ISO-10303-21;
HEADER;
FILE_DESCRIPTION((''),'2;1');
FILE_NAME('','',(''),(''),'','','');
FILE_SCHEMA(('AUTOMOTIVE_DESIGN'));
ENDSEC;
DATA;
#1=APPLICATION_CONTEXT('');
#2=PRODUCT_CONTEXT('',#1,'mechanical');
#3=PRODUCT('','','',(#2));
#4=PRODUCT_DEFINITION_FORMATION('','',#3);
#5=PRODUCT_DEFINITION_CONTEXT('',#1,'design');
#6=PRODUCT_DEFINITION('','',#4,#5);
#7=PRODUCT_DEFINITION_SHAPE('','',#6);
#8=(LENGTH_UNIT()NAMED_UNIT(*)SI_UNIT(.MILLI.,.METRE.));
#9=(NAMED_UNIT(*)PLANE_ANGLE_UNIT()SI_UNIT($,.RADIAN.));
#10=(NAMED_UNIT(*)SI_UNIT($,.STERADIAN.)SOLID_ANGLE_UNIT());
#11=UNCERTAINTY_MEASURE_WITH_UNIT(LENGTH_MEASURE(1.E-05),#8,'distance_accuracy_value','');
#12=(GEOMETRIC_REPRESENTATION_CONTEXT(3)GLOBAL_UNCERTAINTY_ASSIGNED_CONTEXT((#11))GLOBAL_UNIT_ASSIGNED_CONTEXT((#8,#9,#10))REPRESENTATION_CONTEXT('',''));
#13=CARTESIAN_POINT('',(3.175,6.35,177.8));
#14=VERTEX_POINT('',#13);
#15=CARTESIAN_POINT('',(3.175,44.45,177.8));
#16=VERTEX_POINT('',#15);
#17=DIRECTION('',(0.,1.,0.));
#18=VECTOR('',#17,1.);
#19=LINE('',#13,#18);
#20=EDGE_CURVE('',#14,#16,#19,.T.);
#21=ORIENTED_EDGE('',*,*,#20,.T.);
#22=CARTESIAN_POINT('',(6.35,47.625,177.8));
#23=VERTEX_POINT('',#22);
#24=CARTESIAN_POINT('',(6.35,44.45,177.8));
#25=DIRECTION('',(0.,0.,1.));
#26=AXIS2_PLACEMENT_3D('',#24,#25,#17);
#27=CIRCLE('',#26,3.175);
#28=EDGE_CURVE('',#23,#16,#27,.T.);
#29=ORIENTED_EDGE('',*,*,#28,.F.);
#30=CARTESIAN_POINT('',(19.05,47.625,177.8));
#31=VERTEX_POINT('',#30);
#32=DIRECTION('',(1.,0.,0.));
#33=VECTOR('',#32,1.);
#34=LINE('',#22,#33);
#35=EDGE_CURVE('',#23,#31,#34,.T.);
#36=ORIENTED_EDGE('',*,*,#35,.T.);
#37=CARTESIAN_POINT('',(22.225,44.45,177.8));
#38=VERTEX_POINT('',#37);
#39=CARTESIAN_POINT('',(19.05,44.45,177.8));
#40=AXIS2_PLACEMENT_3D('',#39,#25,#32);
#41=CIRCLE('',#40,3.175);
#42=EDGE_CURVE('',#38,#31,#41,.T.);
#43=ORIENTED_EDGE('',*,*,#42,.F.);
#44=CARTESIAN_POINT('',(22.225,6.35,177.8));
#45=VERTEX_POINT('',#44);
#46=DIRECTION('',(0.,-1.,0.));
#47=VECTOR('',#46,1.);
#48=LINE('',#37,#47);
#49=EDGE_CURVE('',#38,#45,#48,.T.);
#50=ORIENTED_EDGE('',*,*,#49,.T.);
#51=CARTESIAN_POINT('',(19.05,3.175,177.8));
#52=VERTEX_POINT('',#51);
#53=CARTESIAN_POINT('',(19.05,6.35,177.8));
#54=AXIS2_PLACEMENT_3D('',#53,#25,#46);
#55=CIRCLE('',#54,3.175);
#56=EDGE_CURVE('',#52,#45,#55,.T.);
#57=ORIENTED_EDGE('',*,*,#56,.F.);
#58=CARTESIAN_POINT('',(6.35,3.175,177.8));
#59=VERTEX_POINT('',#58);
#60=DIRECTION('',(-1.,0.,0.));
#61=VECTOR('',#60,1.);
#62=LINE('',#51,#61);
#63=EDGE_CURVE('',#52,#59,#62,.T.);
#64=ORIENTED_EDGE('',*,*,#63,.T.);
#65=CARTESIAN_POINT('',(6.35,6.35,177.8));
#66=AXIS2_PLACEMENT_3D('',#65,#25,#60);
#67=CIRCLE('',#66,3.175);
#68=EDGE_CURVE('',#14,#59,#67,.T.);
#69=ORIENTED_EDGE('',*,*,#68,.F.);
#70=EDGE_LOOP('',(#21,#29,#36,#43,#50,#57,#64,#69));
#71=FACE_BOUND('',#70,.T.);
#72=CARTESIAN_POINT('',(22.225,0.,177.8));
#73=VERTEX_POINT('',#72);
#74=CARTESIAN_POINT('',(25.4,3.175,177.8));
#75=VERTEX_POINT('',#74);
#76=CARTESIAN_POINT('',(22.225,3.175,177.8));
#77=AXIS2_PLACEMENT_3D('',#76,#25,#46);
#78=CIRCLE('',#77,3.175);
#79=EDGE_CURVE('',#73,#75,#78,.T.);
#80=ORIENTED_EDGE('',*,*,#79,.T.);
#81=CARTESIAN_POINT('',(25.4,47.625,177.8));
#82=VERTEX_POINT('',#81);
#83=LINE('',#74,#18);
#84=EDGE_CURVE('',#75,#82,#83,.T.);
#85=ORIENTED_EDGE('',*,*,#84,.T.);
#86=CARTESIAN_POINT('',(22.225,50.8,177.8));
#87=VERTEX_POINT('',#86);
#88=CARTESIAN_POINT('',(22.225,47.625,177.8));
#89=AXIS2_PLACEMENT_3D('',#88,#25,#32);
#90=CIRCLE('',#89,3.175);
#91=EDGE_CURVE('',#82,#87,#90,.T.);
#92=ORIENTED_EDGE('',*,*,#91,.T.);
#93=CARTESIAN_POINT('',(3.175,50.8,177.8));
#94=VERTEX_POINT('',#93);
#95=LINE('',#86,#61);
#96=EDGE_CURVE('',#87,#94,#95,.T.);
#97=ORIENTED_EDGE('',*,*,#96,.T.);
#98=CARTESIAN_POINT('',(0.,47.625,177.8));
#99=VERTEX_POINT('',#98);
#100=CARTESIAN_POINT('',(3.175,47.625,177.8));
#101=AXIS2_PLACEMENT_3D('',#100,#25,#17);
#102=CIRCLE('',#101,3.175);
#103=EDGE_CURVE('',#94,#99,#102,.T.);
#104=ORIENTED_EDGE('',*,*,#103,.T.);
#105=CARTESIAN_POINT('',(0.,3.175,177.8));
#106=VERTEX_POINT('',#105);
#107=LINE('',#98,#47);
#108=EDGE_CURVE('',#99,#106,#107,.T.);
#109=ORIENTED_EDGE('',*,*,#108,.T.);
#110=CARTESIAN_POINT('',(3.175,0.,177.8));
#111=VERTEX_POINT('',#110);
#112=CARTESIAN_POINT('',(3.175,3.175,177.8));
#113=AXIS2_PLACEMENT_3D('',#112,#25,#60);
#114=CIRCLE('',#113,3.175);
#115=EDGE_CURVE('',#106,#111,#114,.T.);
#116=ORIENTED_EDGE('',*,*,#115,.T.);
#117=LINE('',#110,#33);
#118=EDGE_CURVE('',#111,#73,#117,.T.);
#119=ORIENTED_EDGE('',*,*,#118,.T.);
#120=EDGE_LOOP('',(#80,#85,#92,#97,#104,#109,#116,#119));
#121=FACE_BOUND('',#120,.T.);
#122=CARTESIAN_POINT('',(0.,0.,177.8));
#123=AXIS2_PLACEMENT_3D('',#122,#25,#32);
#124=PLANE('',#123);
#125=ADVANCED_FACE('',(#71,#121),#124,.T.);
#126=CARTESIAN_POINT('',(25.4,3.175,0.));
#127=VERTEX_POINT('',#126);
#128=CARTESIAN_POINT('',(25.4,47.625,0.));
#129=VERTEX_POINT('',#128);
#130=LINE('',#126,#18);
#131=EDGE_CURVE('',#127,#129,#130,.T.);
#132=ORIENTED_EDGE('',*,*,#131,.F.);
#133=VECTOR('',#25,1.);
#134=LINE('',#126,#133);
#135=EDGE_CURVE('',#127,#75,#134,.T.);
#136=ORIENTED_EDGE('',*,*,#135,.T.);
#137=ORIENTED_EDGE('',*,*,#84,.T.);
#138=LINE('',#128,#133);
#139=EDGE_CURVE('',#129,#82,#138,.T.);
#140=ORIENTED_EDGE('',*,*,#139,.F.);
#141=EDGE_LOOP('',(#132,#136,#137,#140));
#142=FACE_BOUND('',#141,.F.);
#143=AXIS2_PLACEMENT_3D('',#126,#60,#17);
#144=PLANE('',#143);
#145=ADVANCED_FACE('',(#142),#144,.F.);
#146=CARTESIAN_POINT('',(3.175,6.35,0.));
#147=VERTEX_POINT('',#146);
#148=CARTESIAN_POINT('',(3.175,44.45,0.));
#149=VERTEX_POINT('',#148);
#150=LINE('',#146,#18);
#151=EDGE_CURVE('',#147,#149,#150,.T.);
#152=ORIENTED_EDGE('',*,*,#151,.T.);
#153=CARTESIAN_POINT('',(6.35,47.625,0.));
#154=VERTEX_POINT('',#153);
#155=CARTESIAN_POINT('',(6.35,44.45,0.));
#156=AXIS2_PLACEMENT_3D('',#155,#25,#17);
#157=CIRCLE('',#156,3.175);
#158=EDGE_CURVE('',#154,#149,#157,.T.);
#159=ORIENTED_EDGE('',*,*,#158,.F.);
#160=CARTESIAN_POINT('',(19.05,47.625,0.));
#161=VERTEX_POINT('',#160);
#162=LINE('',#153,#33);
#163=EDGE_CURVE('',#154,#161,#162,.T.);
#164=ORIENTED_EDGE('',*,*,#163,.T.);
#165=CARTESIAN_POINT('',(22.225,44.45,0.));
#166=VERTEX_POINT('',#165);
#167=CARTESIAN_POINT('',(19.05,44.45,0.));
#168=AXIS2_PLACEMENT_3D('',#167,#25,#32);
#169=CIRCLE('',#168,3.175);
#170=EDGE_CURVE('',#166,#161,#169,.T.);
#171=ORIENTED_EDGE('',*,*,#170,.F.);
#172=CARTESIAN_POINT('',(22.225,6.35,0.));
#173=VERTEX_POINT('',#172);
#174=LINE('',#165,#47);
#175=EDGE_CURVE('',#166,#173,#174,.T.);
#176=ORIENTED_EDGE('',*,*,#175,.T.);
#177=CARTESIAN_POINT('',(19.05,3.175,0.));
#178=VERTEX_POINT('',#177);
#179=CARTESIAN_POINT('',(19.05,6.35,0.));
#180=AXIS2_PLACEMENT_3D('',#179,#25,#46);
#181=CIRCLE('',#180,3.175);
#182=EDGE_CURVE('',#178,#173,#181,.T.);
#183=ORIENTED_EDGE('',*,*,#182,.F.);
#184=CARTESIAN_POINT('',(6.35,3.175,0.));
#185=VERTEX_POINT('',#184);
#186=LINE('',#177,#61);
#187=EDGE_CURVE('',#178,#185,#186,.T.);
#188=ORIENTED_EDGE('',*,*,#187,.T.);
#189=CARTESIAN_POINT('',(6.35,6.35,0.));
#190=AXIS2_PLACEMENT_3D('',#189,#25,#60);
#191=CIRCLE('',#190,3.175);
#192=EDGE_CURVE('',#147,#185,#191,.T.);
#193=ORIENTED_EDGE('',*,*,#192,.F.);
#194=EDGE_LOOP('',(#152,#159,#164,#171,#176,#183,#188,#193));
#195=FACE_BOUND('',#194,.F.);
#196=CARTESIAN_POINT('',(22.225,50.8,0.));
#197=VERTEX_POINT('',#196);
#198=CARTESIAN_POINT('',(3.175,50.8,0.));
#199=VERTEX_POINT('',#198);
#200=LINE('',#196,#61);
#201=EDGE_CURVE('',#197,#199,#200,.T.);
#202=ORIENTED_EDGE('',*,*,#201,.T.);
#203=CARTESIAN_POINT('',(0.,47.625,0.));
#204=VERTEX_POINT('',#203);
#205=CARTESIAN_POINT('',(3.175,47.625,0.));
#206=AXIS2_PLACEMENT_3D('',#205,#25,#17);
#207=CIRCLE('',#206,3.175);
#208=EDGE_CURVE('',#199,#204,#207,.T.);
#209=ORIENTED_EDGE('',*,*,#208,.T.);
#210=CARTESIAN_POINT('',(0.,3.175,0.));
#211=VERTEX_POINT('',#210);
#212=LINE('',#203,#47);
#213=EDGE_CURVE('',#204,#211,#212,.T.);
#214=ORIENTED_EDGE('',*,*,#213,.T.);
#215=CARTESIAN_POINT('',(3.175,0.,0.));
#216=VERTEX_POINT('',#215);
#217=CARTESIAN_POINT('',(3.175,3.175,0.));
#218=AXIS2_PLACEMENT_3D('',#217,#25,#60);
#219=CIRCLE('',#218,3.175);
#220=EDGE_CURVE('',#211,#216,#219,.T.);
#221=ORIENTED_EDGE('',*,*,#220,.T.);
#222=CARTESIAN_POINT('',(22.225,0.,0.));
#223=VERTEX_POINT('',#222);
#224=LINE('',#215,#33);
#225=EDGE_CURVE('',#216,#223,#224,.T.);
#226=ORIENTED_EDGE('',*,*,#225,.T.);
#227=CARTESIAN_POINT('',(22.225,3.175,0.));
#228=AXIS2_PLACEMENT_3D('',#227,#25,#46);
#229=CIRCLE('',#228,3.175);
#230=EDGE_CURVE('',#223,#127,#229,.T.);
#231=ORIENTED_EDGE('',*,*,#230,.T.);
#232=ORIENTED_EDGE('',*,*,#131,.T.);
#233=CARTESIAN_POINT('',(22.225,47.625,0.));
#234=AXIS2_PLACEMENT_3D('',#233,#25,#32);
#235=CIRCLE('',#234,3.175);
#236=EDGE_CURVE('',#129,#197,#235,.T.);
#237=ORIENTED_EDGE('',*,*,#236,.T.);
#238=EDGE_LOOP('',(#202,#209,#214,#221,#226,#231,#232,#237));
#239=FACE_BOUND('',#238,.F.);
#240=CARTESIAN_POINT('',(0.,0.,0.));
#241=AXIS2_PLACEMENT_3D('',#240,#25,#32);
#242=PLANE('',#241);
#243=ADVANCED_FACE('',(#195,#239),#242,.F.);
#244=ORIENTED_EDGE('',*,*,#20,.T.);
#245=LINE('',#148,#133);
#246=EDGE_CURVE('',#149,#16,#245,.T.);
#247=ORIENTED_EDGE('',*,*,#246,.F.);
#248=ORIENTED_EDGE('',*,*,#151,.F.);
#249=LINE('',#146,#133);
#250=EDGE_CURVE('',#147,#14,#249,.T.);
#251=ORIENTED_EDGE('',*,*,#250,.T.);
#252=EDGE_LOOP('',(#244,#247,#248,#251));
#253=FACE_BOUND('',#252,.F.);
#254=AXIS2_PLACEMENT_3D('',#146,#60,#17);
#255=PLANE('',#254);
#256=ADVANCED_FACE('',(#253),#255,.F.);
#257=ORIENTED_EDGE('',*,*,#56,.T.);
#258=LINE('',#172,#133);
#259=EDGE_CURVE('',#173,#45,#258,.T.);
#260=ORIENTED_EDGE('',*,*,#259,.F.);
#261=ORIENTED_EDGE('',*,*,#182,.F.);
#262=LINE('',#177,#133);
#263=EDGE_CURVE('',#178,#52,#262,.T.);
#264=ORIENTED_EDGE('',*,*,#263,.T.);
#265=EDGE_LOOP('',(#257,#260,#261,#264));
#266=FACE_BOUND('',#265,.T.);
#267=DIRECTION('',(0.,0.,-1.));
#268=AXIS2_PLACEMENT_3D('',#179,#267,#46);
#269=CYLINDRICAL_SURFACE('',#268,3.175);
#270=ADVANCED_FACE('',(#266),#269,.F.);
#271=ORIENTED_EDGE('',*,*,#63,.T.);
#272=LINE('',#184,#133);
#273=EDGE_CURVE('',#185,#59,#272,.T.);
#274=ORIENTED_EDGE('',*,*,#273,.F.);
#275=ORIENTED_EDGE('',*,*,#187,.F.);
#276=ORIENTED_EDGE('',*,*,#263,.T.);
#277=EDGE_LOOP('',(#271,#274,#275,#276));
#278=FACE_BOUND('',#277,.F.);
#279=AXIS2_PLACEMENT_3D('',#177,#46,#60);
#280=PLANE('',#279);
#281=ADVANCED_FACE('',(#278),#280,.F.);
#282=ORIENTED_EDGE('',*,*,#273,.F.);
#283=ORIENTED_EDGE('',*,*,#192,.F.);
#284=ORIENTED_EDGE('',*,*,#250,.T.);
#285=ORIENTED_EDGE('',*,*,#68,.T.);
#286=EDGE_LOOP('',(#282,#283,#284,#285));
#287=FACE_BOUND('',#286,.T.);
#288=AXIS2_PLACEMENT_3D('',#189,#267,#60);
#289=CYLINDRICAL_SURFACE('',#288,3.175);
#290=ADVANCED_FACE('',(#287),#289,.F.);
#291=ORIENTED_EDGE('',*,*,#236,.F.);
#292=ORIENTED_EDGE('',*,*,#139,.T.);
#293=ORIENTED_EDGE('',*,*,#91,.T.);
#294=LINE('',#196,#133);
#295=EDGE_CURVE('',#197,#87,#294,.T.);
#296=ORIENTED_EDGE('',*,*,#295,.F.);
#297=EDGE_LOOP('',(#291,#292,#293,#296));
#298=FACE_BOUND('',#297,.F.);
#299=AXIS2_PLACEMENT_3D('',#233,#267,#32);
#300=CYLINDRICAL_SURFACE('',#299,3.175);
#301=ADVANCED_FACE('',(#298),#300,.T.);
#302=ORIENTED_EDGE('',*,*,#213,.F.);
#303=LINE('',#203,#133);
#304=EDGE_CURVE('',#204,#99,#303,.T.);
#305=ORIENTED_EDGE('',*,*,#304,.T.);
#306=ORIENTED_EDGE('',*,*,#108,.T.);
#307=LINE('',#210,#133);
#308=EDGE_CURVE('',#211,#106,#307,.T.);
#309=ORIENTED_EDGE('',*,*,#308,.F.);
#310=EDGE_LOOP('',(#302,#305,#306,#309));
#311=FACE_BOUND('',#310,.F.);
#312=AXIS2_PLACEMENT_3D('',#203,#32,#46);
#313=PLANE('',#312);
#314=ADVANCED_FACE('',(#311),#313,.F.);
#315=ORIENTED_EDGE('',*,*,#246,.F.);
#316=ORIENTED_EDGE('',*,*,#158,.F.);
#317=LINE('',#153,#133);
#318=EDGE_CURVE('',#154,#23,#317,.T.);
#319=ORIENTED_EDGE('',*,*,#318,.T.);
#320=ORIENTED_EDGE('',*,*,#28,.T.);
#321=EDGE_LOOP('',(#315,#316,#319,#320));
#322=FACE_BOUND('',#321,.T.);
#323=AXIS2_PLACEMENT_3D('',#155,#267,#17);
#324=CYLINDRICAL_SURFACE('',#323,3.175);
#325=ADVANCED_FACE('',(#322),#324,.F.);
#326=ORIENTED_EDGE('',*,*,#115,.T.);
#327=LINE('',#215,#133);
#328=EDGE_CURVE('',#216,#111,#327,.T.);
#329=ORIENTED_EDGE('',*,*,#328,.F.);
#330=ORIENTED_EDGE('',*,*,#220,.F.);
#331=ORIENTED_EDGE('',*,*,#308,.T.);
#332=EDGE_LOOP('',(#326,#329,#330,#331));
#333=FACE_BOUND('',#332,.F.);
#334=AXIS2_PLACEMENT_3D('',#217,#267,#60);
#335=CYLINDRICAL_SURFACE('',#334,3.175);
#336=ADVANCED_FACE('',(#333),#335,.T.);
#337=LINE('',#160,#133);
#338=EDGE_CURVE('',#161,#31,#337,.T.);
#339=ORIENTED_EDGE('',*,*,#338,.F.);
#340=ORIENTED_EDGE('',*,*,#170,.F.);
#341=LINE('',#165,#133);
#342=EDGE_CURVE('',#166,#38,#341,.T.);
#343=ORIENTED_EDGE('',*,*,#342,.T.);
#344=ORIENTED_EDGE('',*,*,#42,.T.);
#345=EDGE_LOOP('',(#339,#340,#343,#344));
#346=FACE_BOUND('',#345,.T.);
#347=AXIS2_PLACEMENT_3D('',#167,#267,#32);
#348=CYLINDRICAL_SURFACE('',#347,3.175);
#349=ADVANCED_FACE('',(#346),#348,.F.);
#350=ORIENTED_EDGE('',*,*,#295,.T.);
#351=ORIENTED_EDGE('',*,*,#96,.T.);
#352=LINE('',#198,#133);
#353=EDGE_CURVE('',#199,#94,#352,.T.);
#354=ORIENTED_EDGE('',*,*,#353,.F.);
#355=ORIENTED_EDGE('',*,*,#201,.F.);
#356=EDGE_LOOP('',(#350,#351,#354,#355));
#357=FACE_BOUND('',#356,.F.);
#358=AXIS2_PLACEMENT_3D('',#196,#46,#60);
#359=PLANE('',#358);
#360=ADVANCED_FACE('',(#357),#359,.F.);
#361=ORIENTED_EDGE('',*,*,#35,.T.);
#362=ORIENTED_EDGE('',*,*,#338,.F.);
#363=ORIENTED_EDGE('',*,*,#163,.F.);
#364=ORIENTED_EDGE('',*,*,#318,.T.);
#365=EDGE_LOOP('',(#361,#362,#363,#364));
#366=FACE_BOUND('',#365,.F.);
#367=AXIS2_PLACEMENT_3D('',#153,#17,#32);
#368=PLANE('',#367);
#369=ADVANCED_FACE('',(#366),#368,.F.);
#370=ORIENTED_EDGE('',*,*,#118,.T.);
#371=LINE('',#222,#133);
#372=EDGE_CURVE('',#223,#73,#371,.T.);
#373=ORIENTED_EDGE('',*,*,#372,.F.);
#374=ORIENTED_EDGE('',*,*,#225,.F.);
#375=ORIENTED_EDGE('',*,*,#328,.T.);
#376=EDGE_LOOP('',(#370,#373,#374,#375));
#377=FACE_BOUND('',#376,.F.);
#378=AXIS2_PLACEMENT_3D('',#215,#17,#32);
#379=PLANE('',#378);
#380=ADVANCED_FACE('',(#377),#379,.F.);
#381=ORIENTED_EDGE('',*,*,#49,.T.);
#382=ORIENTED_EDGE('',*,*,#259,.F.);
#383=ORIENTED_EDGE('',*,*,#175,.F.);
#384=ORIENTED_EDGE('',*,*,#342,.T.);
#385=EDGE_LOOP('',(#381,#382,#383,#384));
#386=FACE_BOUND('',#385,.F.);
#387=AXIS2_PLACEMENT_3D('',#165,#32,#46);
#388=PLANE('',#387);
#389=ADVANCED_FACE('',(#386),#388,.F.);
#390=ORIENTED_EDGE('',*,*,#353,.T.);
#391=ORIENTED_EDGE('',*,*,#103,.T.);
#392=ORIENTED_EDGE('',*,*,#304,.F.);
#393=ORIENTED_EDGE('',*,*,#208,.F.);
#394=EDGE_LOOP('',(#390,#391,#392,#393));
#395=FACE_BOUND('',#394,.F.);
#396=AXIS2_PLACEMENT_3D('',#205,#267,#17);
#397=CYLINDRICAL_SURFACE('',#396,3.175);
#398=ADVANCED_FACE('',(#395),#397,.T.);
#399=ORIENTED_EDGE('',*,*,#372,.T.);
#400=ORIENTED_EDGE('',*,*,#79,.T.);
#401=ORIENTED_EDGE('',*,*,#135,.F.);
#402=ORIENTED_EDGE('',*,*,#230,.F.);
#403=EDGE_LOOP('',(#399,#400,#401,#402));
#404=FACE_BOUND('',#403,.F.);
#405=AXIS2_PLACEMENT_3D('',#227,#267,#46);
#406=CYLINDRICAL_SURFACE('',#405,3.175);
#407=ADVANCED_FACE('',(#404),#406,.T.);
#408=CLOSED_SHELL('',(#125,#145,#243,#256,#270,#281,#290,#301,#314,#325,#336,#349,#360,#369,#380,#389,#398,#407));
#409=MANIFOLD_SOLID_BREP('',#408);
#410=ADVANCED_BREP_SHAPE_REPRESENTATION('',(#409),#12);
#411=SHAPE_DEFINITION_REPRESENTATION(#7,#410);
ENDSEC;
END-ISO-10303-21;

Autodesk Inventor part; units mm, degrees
ref_plane "YZ Plane" through (0, 0, 0) normal (1, 0, 0) x (0, 1, 0)
ref_plane "XZ Plane" through (0, 0, 0) normal (0, 1, 0) x (-1, 0, 0)
ref_plane "XY Plane" through (0, 0, 0) normal (0, 0, 1) x (1, 0, 0)
sketch "Sketch1" plane through (0, 0, 0) normal (0, 0, 1) x (1, 0, 0)
  line L0 (3.175, 0) -> (22.225, 0)
  line L1 (25.4, 3.175) -> (25.4, 47.625)
  line L2 (22.225, 50.8) -> (3.175, 50.8)
  line L3 (0, 47.625) -> (0, 3.175)
  arc A0 (3.175, 50.8) -> (0, 47.625) centre (3.175, 47.625) ccw
  arc A1 (25.4, 47.625) -> (22.225, 50.8) centre (22.225, 47.625) ccw
  arc A2 (22.225, 0) -> (25.4, 3.175) centre (22.225, 3.175) ccw
  arc A3 (0, 3.175) -> (3.175, 0) centre (3.175, 3.175) ccw
  line L4 (6.35, 47.625) -> (19.05, 47.625)
  line L5 (22.225, 44.45) -> (22.225, 6.35)
  line L6 (19.05, 3.175) -> (6.35, 3.175)
  line L7 (3.175, 6.35) -> (3.175, 44.45)
  arc A4 (6.35, 47.625) -> (3.175, 44.45) centre (6.35, 44.45) ccw
  arc A5 (22.225, 44.45) -> (19.05, 47.625) centre (19.05, 44.45) ccw
  arc A6 (3.175, 6.35) -> (6.35, 3.175) centre (6.35, 6.35) ccw
  arc A7 (19.05, 3.175) -> (22.225, 6.35) centre (19.05, 6.35) ccw
  point P0 (0, 0)
  point P1 (25.4, 0)
  point P2 (0, 50.8)
  dimension "d0" = 50.8
  dimension "d1" = 25.4
  dimension "d2" = 3.175
  dimension "d3" = 3.175
  dimension "d4" = 3.175
  dimension "d5" = 3.175
  dimension "d6" = 3.175
  dimension "d7" = 3.175
  dimension "d8" = 3.175
  dimension "d9" = 3.175
  dimension "d10" = 3.175
extrude "Extrusion1" add sketch "Sketch1" along normal blind 177.8
properties part number "O channel 6 inch"
